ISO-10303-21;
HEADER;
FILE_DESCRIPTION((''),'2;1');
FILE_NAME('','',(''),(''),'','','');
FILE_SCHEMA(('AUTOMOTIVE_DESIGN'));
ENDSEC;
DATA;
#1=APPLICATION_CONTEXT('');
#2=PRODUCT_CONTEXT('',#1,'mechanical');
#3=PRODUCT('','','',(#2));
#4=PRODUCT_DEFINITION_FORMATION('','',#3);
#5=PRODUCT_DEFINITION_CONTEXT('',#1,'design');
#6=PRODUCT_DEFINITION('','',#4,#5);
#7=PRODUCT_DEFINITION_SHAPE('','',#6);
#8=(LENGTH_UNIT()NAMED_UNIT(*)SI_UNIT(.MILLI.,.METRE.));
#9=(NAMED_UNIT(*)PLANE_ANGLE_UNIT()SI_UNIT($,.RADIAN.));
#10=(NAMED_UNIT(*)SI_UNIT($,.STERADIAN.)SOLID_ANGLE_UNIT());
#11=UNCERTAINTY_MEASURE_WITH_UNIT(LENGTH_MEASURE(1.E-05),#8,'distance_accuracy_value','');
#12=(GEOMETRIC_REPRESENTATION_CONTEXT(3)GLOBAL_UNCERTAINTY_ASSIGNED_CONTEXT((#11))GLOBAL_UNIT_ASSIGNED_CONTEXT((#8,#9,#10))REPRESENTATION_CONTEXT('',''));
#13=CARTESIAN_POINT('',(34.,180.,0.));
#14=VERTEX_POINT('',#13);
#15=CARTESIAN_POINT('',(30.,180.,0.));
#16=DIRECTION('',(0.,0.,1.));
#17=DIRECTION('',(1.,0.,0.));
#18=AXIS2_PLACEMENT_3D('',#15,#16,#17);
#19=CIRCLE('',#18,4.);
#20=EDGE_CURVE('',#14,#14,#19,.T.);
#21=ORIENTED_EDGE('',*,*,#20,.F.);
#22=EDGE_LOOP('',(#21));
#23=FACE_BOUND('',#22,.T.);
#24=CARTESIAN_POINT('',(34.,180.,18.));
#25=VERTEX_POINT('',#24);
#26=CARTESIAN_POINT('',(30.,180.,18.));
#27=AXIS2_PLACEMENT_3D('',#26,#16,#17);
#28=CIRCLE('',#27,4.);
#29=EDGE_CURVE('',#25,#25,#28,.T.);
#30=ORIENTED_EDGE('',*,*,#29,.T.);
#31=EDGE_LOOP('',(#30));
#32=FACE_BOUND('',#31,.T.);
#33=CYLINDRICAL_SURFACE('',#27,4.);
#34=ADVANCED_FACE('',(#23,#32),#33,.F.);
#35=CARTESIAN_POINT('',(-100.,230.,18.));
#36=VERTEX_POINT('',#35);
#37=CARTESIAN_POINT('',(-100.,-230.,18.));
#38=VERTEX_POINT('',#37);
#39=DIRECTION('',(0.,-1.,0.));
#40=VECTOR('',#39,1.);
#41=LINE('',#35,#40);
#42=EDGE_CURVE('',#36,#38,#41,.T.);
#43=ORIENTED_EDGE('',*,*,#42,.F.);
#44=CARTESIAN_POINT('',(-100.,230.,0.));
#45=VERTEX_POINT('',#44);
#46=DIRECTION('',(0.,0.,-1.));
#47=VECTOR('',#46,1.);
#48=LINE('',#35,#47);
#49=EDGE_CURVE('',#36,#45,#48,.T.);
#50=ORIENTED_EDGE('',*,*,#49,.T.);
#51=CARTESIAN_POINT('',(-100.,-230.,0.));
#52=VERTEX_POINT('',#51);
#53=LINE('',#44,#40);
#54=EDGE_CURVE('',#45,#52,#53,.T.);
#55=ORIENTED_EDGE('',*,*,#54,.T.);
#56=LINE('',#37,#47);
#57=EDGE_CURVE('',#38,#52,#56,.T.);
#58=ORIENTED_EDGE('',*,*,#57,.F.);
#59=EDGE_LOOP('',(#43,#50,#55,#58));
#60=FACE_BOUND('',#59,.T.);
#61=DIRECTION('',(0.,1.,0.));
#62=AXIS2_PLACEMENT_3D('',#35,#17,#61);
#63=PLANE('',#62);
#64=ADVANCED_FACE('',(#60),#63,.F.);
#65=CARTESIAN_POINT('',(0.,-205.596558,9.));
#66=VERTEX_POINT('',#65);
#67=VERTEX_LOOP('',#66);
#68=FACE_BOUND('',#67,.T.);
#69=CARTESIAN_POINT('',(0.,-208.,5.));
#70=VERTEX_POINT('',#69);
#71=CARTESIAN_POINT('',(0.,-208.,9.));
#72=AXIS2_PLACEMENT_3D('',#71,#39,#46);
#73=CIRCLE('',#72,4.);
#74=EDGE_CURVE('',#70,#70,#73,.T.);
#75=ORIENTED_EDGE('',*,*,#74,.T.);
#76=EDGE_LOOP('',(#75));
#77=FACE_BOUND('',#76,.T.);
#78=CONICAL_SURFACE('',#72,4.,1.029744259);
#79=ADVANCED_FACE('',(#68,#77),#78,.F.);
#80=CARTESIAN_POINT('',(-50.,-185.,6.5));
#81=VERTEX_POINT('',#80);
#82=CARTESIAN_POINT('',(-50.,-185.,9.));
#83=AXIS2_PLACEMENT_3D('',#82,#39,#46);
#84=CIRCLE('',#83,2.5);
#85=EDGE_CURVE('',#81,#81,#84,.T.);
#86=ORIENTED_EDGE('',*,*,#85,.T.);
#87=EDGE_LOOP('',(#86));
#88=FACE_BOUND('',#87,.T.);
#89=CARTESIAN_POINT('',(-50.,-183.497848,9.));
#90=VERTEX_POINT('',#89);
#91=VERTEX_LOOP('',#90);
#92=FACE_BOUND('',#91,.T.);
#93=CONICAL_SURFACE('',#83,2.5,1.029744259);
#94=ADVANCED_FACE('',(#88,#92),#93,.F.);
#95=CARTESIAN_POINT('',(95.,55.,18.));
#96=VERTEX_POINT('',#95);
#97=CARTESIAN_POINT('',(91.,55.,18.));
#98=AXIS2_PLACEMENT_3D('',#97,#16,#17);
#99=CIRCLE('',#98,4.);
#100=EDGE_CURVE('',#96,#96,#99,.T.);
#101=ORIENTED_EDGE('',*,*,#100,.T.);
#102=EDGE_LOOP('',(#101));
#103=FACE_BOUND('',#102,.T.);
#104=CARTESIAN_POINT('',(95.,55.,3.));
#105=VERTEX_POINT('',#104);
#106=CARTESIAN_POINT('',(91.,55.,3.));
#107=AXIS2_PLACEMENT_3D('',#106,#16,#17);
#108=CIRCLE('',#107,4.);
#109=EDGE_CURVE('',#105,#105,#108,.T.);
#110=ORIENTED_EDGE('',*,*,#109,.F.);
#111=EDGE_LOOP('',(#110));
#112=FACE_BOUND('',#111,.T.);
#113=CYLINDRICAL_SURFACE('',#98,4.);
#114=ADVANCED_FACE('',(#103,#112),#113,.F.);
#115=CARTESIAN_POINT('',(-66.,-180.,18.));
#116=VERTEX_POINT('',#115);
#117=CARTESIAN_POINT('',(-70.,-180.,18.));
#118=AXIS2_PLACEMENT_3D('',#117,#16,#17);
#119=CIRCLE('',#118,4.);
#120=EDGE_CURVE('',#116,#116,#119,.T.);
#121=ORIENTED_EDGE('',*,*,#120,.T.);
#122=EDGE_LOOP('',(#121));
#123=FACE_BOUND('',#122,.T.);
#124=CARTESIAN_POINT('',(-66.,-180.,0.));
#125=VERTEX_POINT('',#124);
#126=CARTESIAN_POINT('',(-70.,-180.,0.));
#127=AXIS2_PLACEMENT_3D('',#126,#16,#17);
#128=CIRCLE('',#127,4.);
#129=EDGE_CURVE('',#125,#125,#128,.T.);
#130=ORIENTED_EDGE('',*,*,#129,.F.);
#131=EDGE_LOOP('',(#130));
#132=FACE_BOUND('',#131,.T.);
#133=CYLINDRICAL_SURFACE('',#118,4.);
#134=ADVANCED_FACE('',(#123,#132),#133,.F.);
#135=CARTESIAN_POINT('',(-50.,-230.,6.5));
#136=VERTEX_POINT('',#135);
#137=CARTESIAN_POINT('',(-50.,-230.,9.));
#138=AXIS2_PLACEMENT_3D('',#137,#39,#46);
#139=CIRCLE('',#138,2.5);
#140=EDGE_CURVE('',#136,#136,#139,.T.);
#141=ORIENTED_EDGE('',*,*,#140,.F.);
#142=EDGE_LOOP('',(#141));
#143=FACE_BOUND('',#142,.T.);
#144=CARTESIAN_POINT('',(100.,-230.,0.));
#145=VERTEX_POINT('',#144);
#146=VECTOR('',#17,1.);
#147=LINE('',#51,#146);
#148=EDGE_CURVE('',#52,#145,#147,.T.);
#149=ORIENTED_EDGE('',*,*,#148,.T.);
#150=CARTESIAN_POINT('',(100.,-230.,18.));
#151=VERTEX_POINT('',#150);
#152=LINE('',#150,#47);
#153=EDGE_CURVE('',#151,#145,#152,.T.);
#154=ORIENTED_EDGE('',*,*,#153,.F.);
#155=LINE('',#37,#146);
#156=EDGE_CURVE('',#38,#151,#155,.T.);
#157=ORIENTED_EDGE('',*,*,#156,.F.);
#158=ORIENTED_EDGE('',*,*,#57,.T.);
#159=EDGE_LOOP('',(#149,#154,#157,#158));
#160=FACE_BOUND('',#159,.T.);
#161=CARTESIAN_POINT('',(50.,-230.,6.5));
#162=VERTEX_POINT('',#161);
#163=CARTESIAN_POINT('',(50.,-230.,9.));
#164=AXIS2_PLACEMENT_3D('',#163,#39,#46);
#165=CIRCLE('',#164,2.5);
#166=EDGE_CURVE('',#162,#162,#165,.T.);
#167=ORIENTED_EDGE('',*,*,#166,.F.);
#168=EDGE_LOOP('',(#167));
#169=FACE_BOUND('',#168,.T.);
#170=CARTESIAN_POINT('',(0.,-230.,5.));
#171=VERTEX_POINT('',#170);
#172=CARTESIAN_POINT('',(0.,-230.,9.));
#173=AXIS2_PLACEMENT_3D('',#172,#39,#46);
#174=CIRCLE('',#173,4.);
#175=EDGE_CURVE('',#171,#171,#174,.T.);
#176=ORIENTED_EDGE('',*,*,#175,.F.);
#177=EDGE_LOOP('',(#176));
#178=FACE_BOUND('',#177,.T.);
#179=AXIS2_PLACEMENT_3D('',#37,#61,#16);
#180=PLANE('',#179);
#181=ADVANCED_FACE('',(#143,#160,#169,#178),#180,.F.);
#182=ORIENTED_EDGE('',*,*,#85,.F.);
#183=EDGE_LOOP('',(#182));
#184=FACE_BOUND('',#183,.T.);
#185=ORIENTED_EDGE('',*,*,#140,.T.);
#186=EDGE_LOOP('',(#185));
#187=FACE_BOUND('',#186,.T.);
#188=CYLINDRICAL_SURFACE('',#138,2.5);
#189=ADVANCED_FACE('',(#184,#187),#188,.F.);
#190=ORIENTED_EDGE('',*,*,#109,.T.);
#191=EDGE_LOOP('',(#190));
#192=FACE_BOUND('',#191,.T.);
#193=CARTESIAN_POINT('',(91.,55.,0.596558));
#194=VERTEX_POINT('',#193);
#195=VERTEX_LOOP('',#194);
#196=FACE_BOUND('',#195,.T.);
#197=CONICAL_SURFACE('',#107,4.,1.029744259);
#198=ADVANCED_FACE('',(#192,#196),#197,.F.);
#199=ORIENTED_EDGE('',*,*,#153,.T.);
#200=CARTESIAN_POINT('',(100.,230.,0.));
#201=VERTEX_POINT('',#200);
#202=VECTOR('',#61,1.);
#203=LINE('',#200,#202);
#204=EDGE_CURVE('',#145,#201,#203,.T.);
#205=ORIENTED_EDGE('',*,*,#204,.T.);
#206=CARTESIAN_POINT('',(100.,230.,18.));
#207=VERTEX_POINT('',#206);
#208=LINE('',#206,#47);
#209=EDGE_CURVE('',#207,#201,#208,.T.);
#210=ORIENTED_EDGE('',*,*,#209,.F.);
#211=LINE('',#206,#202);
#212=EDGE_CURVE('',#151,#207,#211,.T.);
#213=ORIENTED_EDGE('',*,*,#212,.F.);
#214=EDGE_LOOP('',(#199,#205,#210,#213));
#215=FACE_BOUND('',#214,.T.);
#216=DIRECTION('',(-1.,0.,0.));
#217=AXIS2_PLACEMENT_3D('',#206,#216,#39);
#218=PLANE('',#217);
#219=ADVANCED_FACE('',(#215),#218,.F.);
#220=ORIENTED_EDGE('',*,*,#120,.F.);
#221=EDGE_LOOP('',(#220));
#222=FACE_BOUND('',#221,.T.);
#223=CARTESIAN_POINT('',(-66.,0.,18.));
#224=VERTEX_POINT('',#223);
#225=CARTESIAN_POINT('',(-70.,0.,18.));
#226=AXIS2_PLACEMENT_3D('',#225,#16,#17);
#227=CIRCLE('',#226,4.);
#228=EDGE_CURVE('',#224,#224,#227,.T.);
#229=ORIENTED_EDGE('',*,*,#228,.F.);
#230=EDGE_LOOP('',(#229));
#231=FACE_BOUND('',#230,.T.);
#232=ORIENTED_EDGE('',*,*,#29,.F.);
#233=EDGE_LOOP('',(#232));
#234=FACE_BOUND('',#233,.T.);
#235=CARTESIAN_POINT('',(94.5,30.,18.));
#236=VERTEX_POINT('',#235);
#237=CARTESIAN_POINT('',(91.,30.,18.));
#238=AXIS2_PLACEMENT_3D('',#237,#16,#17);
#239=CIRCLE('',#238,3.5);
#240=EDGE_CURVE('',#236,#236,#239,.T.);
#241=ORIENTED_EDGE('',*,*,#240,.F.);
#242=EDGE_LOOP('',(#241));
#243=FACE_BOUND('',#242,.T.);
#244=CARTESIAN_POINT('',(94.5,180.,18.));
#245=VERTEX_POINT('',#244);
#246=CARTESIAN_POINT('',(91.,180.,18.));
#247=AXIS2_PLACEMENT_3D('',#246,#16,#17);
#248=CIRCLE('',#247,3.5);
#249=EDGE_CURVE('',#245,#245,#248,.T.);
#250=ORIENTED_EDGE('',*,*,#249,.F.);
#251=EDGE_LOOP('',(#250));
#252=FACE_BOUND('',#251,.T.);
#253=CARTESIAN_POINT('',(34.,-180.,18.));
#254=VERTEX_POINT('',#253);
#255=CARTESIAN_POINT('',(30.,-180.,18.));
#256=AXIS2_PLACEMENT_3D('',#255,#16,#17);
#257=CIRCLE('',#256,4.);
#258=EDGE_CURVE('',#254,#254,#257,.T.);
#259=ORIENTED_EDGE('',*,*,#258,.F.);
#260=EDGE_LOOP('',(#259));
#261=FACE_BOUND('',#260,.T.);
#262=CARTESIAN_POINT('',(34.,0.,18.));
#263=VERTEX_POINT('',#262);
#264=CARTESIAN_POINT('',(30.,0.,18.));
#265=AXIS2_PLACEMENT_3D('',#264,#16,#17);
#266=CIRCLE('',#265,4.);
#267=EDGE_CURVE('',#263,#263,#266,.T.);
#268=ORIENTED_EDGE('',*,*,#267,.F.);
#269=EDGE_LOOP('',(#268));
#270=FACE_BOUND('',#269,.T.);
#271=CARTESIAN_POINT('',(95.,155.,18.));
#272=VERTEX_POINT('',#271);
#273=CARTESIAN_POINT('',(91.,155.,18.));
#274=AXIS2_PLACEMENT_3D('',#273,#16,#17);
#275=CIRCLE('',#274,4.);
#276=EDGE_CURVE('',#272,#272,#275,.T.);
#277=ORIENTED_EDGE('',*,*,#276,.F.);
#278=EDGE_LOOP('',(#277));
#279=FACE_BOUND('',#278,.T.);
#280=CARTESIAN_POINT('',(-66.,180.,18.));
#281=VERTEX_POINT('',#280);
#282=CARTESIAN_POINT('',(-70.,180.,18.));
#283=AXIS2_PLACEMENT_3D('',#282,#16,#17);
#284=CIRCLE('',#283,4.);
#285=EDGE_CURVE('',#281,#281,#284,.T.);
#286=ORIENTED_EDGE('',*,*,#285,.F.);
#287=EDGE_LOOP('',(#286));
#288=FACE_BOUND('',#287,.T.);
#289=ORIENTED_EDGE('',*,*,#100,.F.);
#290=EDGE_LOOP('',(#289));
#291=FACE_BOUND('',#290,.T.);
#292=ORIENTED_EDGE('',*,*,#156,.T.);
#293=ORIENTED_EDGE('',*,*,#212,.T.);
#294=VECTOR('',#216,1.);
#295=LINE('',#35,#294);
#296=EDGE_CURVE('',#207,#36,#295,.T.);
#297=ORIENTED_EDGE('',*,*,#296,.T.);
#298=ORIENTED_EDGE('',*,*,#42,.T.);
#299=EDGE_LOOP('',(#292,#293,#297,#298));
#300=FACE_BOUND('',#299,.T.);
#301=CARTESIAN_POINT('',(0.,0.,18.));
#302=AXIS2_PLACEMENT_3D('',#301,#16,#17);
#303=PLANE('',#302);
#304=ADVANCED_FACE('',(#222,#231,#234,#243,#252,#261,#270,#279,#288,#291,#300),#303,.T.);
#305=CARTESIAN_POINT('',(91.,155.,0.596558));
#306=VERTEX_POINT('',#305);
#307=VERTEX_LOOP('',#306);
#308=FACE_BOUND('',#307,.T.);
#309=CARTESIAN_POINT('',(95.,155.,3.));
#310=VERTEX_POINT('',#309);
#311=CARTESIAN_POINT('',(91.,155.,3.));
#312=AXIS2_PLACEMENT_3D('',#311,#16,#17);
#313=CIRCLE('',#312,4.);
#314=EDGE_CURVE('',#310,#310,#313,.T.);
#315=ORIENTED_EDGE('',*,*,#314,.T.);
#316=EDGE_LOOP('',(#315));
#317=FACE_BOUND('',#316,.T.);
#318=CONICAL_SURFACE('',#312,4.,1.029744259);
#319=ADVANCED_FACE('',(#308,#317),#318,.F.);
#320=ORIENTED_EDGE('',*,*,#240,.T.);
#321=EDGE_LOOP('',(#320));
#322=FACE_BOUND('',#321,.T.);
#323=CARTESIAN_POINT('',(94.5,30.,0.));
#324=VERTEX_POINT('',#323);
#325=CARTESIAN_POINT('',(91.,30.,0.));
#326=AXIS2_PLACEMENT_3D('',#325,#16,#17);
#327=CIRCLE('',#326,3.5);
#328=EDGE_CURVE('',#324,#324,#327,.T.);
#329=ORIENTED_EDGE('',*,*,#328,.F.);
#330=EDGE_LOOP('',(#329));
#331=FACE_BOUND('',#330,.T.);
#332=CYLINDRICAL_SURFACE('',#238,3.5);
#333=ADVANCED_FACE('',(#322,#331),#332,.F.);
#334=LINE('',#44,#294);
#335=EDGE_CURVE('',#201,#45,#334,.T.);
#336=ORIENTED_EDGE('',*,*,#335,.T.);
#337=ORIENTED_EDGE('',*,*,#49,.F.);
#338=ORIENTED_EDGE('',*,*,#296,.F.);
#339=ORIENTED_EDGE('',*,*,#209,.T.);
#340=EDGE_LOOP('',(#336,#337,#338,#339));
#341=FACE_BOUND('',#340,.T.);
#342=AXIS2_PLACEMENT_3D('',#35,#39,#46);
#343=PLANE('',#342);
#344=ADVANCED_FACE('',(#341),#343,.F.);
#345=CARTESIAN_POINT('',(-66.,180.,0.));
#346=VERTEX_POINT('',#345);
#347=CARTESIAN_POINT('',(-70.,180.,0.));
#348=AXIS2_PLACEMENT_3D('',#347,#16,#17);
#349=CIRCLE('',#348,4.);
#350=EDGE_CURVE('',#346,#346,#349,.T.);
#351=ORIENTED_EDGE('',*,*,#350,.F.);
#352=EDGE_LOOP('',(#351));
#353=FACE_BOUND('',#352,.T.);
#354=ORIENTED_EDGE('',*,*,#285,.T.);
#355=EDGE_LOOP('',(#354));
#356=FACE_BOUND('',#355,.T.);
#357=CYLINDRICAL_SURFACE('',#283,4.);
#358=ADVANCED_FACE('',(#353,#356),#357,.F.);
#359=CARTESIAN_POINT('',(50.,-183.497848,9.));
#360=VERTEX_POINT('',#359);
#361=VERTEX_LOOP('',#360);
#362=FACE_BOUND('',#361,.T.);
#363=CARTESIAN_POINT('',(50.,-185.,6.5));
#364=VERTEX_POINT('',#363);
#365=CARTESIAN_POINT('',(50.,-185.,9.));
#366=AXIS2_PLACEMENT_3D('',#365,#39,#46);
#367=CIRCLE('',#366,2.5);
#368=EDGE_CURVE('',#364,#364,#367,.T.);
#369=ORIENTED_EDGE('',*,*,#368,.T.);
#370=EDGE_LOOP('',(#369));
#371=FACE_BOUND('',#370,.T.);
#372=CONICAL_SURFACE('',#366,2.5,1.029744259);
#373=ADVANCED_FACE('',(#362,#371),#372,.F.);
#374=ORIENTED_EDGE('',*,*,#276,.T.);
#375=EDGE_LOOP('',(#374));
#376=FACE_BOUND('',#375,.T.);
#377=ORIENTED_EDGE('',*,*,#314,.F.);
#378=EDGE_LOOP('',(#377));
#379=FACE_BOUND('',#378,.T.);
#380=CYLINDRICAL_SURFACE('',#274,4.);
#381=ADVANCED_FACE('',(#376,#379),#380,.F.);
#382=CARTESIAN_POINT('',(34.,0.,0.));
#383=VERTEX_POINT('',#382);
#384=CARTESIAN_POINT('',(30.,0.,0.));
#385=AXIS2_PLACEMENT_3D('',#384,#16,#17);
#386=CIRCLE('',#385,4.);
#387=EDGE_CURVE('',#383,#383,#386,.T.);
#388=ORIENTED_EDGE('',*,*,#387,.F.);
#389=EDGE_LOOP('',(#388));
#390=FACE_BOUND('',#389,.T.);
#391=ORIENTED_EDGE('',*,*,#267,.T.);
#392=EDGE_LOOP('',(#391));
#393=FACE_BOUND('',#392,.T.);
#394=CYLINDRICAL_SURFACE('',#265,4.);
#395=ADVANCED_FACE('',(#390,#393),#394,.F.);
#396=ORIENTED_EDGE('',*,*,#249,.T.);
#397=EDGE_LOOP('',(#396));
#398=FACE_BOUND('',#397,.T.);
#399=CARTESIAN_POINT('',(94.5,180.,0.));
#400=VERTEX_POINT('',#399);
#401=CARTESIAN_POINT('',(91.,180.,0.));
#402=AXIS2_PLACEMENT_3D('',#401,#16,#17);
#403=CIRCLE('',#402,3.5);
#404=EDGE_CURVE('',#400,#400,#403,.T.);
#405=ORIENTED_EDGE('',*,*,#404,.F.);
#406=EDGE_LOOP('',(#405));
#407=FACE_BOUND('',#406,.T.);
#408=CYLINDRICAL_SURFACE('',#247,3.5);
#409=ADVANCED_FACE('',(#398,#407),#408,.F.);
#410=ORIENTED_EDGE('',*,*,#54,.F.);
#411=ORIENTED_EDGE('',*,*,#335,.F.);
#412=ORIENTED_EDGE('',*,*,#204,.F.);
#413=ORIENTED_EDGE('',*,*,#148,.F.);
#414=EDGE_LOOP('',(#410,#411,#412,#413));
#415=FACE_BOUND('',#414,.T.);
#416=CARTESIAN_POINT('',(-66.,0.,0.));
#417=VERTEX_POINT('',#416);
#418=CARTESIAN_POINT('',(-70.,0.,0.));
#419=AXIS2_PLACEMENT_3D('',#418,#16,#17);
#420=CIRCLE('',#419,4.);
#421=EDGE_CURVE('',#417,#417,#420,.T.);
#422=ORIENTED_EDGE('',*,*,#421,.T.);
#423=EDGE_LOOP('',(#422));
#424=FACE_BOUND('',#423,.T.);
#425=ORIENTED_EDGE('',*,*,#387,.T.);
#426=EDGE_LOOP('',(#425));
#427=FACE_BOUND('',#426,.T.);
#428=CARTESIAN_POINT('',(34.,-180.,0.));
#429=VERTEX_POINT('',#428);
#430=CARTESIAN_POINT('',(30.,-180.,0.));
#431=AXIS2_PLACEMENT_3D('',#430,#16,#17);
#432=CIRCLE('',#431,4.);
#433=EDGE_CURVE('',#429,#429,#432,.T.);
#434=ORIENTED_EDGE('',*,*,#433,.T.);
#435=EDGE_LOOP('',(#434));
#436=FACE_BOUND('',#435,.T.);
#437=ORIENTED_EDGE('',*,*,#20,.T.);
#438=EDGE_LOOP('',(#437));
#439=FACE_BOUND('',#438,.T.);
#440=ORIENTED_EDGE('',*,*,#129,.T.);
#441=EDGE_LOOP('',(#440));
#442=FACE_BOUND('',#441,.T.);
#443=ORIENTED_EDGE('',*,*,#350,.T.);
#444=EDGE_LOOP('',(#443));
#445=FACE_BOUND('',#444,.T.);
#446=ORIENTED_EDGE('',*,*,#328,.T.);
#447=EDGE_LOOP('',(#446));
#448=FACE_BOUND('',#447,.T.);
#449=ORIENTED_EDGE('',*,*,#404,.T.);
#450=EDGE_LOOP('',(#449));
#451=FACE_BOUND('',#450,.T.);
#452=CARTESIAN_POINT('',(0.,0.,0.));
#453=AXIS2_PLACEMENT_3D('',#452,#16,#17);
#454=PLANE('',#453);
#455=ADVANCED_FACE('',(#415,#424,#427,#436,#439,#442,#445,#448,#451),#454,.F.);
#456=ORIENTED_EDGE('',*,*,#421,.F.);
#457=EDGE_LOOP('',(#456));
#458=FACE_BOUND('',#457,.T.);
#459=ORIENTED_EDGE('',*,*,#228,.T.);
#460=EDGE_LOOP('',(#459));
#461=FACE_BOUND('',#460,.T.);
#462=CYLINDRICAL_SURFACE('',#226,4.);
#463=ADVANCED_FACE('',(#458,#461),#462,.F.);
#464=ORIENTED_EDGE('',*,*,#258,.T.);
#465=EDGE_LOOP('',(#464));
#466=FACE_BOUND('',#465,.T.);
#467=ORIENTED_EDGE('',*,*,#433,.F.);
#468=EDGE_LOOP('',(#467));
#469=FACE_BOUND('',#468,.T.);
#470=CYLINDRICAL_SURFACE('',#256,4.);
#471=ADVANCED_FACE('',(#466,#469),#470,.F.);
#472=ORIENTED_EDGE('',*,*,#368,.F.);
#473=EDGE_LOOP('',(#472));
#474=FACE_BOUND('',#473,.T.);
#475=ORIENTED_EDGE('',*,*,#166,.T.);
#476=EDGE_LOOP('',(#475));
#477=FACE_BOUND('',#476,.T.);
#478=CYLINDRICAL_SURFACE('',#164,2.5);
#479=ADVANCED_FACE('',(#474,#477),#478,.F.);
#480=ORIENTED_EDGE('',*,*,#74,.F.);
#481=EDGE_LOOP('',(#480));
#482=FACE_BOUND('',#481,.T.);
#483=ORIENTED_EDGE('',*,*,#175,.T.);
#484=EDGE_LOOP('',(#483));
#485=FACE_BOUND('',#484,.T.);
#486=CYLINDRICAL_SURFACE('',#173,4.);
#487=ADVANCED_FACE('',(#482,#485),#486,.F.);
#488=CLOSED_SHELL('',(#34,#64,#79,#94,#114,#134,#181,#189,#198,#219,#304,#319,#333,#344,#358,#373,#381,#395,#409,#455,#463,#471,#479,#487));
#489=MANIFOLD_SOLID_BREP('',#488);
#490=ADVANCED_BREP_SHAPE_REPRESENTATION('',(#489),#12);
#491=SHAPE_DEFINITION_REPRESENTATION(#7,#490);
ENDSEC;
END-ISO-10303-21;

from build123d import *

# Parameters (mm, degrees)
SKETCH1_W                  = 200
SKETCH1_H                  = 460
BOSS_EXTRUDE1_DEPTH        = 18
OTWORY_USTALAJ_CE_8_0MM1_D = 8
OTW_R_7_0_7_1_D            = 7
OTW_R_5_0_5_1_D            = 5
OTW_R_5_0_5_1_DEPTH        = 45
OTW_R_5_0_5_1_TIP          = 1.502151548
OTW_R_8_0_8_1_D            = 8
OTW_R_8_0_8_1_DEPTH        = 15
OTW_R_8_0_8_1_TIP          = 2.403442476
OTW_R_8_0_8_2_D            = 8
OTW_R_8_0_8_2_DEPTH        = 22
OTW_R_8_0_8_2_TIP          = 2.403442476


with BuildPart() as part:
    # Sketch1 → Boss-Extrude1 (new body)
    with BuildSketch(Plane.XY):
        Rectangle(SKETCH1_W, SKETCH1_H)
    extrude(amount=BOSS_EXTRUDE1_DEPTH)

    # Otwory ustalające Ø8.0mm1 (through all)
    with Locations(Plane.XY.offset(18)):
        with Locations((30, -180), (-70, -180), (-70, 0), (30, 0), (30, 180), (-70, 180)):
            Hole(OTWORY_USTALAJ_CE_8_0MM1_D / 2)

    # Otwór Ø7.0 (7)1 (through all)
    with Locations(Plane.XY.offset(18)):
        with Locations((91, 30), (91, 180)):
            Hole(OTW_R_7_0_7_1_D / 2)

    # Otwór Ø5.0 (5)1
    with Locations(Plane(origin=(0, -230, 0), x_dir=(-1, 0, 0), z_dir=(0, -1, 0))):
        with Locations((-50, -9), (50, -9)):
            Hole(OTW_R_5_0_5_1_D / 2, depth=OTW_R_5_0_5_1_DEPTH)
            with Locations((0, 0, -(OTW_R_5_0_5_1_DEPTH + OTW_R_5_0_5_1_TIP / 2))):  # 118° drill point
                Cone(0, OTW_R_5_0_5_1_D / 2, OTW_R_5_0_5_1_TIP, mode=Mode.SUBTRACT)

    # Otwór Ø8.0 (8)1
    with Locations(Plane.XY.offset(18)):
        with Locations((91, 55), (91, 155)):
            Hole(OTW_R_8_0_8_1_D / 2, depth=OTW_R_8_0_8_1_DEPTH)
            with Locations((0, 0, -(OTW_R_8_0_8_1_DEPTH + OTW_R_8_0_8_1_TIP / 2))):  # 118° drill point
                Cone(0, OTW_R_8_0_8_1_D / 2, OTW_R_8_0_8_1_TIP, mode=Mode.SUBTRACT)

    # Otwór Ø8.0 (8)2
    with Locations(Plane(origin=(0, -230, 0), x_dir=(-1, 0, 0), z_dir=(0, -1, 0))):
        with Locations((0, -9)):
            Hole(OTW_R_8_0_8_2_D / 2, depth=OTW_R_8_0_8_2_DEPTH)
            with Locations((0, 0, -(OTW_R_8_0_8_2_DEPTH + OTW_R_8_0_8_2_TIP / 2))):  # 118° drill point
                Cone(0, OTW_R_8_0_8_2_D / 2, OTW_R_8_0_8_2_TIP, mode=Mode.SUBTRACT)


solid = part.part
